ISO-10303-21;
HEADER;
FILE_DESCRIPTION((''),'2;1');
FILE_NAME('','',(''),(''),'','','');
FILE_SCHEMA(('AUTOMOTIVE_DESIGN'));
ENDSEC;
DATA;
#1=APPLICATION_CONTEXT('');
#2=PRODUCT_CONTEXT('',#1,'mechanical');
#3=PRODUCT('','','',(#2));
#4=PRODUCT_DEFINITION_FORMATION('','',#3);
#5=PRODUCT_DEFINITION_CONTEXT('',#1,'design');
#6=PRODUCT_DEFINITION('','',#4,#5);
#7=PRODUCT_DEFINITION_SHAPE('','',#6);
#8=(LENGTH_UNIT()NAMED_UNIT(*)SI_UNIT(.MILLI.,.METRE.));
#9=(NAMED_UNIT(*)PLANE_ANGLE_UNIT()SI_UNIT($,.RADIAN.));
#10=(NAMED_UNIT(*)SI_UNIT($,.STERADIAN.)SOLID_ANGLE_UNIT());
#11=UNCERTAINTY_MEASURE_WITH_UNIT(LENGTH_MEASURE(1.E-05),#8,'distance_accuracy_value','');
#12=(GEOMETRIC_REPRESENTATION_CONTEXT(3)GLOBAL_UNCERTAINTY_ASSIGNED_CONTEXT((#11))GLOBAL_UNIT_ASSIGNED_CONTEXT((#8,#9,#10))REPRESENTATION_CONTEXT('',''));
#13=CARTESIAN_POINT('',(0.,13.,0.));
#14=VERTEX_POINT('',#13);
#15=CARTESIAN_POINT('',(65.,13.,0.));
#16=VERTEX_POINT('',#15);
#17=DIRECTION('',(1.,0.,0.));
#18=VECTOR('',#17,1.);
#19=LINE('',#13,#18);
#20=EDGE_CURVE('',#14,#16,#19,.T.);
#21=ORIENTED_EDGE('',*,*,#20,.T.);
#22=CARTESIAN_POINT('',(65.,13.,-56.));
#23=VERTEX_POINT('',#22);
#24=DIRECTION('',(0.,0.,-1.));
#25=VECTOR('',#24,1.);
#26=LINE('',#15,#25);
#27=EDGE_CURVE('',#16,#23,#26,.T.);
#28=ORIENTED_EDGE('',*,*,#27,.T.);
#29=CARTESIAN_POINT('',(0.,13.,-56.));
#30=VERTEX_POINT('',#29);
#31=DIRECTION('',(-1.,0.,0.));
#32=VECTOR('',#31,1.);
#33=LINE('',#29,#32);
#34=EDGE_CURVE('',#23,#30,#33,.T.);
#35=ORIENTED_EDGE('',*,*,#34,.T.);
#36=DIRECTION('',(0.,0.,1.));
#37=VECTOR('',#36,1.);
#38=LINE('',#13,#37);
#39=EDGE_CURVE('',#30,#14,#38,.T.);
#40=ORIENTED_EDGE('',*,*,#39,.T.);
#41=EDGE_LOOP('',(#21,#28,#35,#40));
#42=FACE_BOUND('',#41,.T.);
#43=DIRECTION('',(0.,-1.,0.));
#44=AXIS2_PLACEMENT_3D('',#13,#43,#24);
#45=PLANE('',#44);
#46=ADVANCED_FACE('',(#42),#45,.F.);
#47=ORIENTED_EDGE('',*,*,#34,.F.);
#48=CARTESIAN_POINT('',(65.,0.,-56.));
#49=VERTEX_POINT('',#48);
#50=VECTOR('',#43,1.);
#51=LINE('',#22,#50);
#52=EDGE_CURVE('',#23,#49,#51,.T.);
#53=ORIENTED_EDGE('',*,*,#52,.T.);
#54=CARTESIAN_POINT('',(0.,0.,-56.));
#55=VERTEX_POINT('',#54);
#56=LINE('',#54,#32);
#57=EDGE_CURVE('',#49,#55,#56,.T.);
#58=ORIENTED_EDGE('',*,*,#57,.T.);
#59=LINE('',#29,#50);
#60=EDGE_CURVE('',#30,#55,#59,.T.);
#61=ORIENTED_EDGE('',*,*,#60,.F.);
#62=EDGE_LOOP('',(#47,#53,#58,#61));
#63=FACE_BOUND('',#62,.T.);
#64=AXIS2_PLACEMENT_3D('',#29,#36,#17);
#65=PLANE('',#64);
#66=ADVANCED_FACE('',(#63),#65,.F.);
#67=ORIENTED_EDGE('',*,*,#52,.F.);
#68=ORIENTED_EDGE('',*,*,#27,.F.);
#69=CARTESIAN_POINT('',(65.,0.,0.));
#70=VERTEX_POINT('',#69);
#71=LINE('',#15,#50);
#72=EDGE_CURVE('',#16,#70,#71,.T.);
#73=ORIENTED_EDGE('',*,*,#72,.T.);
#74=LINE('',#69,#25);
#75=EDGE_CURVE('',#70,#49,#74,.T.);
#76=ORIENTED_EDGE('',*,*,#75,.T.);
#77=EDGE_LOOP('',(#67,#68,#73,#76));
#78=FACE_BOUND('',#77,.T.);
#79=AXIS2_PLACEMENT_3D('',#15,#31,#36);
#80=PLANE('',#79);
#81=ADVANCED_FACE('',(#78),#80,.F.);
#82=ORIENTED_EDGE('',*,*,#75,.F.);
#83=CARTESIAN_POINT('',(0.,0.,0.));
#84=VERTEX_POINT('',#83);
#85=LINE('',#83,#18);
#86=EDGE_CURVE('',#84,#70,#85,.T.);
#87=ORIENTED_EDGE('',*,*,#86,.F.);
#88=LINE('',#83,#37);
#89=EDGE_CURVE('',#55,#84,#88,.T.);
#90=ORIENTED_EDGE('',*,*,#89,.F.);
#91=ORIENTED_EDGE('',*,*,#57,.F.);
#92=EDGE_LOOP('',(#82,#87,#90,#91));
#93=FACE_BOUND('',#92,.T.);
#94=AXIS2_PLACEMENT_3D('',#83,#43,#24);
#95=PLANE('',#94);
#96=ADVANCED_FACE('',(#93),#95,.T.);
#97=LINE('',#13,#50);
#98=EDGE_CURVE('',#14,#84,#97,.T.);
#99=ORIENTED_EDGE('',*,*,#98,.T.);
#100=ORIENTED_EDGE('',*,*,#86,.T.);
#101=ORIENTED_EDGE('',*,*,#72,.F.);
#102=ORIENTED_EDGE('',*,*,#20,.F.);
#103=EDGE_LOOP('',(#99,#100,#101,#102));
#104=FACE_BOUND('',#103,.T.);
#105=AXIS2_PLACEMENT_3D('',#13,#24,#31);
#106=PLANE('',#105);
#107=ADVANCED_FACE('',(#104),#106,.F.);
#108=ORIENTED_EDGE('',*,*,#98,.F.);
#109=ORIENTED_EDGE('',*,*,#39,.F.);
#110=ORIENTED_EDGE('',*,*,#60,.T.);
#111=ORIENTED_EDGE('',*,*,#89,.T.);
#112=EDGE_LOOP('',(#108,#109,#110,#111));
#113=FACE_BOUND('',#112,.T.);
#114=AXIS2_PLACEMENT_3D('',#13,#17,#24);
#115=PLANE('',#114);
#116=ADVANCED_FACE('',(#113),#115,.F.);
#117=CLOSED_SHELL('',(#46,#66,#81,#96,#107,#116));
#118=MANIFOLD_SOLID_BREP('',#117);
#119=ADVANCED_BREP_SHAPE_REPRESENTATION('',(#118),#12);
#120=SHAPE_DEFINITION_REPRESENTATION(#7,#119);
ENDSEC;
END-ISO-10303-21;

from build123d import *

# Parameters (mm, degrees)
SKETCH1_W           = 65
SKETCH1_H           = 56
BOSS_EXTRUDE1_DEPTH = 13


with BuildPart() as part:
    # Sketch1 → Boss-Extrude1 (new body)
    with BuildSketch(Plane(origin=(0, 0, 0), x_dir=(1, 0, 0), z_dir=(0, 1, 0))):
        with Locations((32.5, 28)):
            Rectangle(SKETCH1_W, SKETCH1_H)
    extrude(amount=BOSS_EXTRUDE1_DEPTH)


solid = part.part
